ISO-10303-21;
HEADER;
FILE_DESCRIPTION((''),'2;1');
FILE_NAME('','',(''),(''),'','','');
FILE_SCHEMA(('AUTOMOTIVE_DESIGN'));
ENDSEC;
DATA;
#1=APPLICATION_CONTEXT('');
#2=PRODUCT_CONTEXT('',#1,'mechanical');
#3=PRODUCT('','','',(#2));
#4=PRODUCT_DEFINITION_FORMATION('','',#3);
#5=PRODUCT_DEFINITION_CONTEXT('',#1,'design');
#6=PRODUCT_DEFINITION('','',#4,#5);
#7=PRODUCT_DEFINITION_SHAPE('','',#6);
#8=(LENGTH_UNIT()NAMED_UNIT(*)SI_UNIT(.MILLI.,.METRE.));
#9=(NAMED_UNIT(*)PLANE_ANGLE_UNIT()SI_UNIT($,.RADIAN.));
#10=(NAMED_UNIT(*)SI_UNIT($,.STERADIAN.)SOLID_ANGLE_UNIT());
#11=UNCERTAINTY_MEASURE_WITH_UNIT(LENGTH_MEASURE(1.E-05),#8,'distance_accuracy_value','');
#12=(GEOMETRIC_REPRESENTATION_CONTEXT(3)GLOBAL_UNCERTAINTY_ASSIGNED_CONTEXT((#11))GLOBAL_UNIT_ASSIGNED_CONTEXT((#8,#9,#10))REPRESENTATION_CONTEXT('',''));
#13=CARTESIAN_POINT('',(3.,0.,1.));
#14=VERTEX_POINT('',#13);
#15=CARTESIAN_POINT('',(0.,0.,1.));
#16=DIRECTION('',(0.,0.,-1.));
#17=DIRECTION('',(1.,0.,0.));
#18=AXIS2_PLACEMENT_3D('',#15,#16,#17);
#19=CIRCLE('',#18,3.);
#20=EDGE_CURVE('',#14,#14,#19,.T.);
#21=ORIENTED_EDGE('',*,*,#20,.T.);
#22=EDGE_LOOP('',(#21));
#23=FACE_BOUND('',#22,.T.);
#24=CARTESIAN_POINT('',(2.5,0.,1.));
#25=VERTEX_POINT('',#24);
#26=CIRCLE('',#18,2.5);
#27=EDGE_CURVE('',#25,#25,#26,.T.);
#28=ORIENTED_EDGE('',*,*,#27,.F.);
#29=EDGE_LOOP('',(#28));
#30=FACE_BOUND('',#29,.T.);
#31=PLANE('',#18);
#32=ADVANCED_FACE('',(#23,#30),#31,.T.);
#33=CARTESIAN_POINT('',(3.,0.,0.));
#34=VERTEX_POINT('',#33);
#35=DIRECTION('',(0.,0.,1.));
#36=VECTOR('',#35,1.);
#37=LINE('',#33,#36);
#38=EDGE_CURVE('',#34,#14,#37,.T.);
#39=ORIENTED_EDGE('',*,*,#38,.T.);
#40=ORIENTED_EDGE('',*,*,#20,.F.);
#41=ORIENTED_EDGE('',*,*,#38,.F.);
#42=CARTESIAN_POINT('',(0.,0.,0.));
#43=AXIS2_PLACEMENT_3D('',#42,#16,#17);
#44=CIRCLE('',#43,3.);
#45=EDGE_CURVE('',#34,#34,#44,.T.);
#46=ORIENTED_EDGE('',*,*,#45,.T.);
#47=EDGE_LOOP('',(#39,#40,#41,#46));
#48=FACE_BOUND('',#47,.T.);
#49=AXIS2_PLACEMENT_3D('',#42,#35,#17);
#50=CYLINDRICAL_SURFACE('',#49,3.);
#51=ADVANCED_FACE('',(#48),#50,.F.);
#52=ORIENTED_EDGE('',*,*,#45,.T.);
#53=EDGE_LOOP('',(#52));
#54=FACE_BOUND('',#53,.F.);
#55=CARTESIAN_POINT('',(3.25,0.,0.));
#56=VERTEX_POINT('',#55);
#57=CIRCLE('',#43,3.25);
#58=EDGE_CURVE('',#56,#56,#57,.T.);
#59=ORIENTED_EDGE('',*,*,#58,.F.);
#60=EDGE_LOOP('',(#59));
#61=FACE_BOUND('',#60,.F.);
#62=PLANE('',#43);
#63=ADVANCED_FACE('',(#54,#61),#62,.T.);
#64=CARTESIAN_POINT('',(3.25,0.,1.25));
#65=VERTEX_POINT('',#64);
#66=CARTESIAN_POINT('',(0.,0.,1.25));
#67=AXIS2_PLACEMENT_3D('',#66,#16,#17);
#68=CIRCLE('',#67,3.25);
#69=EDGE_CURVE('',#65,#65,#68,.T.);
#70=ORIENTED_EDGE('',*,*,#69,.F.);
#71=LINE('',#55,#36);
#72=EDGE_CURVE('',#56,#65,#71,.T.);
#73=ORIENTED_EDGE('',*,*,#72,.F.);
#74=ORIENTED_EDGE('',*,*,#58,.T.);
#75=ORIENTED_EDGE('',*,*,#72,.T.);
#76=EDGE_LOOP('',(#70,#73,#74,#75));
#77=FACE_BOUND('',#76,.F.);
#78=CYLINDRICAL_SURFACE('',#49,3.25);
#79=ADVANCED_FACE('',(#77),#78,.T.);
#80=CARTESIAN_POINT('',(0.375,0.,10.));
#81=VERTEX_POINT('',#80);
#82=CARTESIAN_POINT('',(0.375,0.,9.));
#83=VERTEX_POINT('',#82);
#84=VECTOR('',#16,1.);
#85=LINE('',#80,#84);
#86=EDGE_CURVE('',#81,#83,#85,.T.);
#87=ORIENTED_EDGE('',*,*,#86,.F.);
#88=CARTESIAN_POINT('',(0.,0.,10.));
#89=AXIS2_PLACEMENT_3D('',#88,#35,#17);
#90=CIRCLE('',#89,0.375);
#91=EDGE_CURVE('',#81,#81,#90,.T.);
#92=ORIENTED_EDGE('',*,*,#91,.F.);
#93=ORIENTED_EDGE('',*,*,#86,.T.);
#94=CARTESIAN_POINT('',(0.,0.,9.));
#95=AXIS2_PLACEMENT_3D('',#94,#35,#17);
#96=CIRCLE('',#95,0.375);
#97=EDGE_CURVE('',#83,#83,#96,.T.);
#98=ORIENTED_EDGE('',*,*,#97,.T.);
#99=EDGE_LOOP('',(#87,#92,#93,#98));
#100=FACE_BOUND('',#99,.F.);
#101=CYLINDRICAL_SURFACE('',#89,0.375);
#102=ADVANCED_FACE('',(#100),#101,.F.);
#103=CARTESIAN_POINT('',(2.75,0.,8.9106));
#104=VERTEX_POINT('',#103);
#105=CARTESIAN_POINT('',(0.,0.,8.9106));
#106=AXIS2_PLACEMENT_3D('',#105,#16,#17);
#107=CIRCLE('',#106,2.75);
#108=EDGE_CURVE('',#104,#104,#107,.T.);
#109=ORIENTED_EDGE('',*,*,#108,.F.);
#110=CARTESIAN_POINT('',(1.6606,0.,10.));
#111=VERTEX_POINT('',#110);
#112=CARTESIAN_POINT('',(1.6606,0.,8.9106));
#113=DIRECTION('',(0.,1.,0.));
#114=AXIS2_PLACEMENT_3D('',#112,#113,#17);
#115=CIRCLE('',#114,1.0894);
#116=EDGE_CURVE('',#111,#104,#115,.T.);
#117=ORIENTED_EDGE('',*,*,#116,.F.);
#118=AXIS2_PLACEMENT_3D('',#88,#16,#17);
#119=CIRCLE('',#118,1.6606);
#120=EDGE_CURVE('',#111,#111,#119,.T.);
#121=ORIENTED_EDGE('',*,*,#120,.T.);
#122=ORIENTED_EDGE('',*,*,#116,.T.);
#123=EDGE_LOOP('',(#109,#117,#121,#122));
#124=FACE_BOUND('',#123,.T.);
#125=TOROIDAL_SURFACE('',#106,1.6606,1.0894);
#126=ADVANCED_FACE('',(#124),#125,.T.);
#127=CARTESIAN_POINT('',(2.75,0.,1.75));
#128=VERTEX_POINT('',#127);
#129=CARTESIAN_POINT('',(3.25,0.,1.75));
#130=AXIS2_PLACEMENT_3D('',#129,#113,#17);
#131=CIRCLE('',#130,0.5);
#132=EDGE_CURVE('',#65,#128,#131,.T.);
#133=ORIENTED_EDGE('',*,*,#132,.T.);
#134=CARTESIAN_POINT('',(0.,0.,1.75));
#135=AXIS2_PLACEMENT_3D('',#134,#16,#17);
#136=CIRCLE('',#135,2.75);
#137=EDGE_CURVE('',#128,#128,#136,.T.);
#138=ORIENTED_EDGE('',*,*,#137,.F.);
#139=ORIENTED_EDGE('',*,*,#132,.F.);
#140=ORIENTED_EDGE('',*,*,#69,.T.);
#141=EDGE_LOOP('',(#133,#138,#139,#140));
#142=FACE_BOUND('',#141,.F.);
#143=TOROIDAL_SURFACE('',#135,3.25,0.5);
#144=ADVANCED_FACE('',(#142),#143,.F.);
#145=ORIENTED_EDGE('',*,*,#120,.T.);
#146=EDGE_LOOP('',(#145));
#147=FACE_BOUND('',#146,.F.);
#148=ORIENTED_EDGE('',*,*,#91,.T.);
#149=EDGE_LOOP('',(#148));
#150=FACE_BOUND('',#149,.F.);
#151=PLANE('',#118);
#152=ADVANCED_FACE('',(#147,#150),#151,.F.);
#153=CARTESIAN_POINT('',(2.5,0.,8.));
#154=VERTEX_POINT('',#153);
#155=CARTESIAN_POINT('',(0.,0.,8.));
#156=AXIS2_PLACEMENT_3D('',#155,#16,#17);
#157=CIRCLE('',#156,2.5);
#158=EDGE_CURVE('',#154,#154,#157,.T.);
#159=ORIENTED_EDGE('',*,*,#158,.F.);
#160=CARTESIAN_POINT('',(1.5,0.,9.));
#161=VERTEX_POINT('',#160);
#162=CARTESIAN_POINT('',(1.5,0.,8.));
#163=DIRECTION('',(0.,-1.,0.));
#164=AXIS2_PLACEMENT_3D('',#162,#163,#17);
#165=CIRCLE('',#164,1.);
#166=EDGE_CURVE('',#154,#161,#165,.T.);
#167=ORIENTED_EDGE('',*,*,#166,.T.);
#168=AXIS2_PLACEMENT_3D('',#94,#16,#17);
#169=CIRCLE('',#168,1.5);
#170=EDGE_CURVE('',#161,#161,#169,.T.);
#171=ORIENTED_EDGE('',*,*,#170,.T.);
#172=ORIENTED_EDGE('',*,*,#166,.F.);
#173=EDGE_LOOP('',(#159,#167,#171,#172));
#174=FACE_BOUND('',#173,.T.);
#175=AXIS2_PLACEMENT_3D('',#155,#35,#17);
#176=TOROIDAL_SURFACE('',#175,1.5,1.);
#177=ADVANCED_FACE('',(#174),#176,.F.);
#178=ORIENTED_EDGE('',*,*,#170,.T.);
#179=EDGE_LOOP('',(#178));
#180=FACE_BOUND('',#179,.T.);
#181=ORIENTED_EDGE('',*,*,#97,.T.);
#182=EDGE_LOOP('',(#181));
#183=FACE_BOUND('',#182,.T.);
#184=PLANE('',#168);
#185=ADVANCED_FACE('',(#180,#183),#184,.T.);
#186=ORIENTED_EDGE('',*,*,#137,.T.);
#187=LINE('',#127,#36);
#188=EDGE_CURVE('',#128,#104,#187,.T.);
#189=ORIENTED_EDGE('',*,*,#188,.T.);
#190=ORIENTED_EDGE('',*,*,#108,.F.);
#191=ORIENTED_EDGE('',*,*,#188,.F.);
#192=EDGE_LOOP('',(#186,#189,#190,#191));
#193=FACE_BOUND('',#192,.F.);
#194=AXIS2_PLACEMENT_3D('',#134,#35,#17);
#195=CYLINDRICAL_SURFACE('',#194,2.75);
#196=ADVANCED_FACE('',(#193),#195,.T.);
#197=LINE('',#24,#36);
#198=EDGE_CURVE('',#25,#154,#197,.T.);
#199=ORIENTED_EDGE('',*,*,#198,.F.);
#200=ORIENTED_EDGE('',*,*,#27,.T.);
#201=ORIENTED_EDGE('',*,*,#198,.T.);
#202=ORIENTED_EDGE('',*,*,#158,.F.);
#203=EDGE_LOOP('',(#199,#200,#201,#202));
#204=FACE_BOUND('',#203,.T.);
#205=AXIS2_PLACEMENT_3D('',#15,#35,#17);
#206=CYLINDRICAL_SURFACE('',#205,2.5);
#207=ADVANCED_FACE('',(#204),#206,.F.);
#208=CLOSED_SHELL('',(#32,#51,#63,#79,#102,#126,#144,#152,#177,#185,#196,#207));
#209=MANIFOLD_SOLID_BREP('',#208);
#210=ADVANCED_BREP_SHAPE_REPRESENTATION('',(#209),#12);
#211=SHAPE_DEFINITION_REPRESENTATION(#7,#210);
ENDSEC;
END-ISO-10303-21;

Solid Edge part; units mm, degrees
sketch "Sketch1" plane through (0, 0, 0) normal (0, -1, 0) x (1, 0, 0)
  line L0 (3.25, 0) -> (3.25, 1.25)
  arc A0 (3.25, 1.25) -> (2.75, 1.75) centre (3.25, 1.75) cw
  line L1 (2.75, 1.75) -> (2.75, 8.9106)
  arc A1 (1.6606, 10) -> (2.75, 8.9106) centre (1.6606, 8.9106) cw
  line L2 (1.6606, 10) -> (0, 10)
  line L3 (0, 10) -> (0, 9)
  line L4 (2.5, 9) -> (0, 9)
  line L5 (2.5, 1) -> (2.5, 9)
  line L6 (3, 1) -> (2.5, 1)
  line L7 (3, 0) -> (3, 1)
  line L8 (3, 0) -> (3.25, 0)
revolve "RevolvedProtrusion1" add sketch "Sketch1" angle 360 about axis through (0, 0, 10) along (0, 0, -1)
sketch "Sketch2" plane through (0, 0, 10) normal (0, 0, 1) x (1, 0, 0)
  circle A0 centre (0, 0) radius 0.375
extrude "Cutout1" cut sketch "Sketch2" against normal through all
fillet "Round1" radius 1 1 edges at (-2.5, 0, 9)
